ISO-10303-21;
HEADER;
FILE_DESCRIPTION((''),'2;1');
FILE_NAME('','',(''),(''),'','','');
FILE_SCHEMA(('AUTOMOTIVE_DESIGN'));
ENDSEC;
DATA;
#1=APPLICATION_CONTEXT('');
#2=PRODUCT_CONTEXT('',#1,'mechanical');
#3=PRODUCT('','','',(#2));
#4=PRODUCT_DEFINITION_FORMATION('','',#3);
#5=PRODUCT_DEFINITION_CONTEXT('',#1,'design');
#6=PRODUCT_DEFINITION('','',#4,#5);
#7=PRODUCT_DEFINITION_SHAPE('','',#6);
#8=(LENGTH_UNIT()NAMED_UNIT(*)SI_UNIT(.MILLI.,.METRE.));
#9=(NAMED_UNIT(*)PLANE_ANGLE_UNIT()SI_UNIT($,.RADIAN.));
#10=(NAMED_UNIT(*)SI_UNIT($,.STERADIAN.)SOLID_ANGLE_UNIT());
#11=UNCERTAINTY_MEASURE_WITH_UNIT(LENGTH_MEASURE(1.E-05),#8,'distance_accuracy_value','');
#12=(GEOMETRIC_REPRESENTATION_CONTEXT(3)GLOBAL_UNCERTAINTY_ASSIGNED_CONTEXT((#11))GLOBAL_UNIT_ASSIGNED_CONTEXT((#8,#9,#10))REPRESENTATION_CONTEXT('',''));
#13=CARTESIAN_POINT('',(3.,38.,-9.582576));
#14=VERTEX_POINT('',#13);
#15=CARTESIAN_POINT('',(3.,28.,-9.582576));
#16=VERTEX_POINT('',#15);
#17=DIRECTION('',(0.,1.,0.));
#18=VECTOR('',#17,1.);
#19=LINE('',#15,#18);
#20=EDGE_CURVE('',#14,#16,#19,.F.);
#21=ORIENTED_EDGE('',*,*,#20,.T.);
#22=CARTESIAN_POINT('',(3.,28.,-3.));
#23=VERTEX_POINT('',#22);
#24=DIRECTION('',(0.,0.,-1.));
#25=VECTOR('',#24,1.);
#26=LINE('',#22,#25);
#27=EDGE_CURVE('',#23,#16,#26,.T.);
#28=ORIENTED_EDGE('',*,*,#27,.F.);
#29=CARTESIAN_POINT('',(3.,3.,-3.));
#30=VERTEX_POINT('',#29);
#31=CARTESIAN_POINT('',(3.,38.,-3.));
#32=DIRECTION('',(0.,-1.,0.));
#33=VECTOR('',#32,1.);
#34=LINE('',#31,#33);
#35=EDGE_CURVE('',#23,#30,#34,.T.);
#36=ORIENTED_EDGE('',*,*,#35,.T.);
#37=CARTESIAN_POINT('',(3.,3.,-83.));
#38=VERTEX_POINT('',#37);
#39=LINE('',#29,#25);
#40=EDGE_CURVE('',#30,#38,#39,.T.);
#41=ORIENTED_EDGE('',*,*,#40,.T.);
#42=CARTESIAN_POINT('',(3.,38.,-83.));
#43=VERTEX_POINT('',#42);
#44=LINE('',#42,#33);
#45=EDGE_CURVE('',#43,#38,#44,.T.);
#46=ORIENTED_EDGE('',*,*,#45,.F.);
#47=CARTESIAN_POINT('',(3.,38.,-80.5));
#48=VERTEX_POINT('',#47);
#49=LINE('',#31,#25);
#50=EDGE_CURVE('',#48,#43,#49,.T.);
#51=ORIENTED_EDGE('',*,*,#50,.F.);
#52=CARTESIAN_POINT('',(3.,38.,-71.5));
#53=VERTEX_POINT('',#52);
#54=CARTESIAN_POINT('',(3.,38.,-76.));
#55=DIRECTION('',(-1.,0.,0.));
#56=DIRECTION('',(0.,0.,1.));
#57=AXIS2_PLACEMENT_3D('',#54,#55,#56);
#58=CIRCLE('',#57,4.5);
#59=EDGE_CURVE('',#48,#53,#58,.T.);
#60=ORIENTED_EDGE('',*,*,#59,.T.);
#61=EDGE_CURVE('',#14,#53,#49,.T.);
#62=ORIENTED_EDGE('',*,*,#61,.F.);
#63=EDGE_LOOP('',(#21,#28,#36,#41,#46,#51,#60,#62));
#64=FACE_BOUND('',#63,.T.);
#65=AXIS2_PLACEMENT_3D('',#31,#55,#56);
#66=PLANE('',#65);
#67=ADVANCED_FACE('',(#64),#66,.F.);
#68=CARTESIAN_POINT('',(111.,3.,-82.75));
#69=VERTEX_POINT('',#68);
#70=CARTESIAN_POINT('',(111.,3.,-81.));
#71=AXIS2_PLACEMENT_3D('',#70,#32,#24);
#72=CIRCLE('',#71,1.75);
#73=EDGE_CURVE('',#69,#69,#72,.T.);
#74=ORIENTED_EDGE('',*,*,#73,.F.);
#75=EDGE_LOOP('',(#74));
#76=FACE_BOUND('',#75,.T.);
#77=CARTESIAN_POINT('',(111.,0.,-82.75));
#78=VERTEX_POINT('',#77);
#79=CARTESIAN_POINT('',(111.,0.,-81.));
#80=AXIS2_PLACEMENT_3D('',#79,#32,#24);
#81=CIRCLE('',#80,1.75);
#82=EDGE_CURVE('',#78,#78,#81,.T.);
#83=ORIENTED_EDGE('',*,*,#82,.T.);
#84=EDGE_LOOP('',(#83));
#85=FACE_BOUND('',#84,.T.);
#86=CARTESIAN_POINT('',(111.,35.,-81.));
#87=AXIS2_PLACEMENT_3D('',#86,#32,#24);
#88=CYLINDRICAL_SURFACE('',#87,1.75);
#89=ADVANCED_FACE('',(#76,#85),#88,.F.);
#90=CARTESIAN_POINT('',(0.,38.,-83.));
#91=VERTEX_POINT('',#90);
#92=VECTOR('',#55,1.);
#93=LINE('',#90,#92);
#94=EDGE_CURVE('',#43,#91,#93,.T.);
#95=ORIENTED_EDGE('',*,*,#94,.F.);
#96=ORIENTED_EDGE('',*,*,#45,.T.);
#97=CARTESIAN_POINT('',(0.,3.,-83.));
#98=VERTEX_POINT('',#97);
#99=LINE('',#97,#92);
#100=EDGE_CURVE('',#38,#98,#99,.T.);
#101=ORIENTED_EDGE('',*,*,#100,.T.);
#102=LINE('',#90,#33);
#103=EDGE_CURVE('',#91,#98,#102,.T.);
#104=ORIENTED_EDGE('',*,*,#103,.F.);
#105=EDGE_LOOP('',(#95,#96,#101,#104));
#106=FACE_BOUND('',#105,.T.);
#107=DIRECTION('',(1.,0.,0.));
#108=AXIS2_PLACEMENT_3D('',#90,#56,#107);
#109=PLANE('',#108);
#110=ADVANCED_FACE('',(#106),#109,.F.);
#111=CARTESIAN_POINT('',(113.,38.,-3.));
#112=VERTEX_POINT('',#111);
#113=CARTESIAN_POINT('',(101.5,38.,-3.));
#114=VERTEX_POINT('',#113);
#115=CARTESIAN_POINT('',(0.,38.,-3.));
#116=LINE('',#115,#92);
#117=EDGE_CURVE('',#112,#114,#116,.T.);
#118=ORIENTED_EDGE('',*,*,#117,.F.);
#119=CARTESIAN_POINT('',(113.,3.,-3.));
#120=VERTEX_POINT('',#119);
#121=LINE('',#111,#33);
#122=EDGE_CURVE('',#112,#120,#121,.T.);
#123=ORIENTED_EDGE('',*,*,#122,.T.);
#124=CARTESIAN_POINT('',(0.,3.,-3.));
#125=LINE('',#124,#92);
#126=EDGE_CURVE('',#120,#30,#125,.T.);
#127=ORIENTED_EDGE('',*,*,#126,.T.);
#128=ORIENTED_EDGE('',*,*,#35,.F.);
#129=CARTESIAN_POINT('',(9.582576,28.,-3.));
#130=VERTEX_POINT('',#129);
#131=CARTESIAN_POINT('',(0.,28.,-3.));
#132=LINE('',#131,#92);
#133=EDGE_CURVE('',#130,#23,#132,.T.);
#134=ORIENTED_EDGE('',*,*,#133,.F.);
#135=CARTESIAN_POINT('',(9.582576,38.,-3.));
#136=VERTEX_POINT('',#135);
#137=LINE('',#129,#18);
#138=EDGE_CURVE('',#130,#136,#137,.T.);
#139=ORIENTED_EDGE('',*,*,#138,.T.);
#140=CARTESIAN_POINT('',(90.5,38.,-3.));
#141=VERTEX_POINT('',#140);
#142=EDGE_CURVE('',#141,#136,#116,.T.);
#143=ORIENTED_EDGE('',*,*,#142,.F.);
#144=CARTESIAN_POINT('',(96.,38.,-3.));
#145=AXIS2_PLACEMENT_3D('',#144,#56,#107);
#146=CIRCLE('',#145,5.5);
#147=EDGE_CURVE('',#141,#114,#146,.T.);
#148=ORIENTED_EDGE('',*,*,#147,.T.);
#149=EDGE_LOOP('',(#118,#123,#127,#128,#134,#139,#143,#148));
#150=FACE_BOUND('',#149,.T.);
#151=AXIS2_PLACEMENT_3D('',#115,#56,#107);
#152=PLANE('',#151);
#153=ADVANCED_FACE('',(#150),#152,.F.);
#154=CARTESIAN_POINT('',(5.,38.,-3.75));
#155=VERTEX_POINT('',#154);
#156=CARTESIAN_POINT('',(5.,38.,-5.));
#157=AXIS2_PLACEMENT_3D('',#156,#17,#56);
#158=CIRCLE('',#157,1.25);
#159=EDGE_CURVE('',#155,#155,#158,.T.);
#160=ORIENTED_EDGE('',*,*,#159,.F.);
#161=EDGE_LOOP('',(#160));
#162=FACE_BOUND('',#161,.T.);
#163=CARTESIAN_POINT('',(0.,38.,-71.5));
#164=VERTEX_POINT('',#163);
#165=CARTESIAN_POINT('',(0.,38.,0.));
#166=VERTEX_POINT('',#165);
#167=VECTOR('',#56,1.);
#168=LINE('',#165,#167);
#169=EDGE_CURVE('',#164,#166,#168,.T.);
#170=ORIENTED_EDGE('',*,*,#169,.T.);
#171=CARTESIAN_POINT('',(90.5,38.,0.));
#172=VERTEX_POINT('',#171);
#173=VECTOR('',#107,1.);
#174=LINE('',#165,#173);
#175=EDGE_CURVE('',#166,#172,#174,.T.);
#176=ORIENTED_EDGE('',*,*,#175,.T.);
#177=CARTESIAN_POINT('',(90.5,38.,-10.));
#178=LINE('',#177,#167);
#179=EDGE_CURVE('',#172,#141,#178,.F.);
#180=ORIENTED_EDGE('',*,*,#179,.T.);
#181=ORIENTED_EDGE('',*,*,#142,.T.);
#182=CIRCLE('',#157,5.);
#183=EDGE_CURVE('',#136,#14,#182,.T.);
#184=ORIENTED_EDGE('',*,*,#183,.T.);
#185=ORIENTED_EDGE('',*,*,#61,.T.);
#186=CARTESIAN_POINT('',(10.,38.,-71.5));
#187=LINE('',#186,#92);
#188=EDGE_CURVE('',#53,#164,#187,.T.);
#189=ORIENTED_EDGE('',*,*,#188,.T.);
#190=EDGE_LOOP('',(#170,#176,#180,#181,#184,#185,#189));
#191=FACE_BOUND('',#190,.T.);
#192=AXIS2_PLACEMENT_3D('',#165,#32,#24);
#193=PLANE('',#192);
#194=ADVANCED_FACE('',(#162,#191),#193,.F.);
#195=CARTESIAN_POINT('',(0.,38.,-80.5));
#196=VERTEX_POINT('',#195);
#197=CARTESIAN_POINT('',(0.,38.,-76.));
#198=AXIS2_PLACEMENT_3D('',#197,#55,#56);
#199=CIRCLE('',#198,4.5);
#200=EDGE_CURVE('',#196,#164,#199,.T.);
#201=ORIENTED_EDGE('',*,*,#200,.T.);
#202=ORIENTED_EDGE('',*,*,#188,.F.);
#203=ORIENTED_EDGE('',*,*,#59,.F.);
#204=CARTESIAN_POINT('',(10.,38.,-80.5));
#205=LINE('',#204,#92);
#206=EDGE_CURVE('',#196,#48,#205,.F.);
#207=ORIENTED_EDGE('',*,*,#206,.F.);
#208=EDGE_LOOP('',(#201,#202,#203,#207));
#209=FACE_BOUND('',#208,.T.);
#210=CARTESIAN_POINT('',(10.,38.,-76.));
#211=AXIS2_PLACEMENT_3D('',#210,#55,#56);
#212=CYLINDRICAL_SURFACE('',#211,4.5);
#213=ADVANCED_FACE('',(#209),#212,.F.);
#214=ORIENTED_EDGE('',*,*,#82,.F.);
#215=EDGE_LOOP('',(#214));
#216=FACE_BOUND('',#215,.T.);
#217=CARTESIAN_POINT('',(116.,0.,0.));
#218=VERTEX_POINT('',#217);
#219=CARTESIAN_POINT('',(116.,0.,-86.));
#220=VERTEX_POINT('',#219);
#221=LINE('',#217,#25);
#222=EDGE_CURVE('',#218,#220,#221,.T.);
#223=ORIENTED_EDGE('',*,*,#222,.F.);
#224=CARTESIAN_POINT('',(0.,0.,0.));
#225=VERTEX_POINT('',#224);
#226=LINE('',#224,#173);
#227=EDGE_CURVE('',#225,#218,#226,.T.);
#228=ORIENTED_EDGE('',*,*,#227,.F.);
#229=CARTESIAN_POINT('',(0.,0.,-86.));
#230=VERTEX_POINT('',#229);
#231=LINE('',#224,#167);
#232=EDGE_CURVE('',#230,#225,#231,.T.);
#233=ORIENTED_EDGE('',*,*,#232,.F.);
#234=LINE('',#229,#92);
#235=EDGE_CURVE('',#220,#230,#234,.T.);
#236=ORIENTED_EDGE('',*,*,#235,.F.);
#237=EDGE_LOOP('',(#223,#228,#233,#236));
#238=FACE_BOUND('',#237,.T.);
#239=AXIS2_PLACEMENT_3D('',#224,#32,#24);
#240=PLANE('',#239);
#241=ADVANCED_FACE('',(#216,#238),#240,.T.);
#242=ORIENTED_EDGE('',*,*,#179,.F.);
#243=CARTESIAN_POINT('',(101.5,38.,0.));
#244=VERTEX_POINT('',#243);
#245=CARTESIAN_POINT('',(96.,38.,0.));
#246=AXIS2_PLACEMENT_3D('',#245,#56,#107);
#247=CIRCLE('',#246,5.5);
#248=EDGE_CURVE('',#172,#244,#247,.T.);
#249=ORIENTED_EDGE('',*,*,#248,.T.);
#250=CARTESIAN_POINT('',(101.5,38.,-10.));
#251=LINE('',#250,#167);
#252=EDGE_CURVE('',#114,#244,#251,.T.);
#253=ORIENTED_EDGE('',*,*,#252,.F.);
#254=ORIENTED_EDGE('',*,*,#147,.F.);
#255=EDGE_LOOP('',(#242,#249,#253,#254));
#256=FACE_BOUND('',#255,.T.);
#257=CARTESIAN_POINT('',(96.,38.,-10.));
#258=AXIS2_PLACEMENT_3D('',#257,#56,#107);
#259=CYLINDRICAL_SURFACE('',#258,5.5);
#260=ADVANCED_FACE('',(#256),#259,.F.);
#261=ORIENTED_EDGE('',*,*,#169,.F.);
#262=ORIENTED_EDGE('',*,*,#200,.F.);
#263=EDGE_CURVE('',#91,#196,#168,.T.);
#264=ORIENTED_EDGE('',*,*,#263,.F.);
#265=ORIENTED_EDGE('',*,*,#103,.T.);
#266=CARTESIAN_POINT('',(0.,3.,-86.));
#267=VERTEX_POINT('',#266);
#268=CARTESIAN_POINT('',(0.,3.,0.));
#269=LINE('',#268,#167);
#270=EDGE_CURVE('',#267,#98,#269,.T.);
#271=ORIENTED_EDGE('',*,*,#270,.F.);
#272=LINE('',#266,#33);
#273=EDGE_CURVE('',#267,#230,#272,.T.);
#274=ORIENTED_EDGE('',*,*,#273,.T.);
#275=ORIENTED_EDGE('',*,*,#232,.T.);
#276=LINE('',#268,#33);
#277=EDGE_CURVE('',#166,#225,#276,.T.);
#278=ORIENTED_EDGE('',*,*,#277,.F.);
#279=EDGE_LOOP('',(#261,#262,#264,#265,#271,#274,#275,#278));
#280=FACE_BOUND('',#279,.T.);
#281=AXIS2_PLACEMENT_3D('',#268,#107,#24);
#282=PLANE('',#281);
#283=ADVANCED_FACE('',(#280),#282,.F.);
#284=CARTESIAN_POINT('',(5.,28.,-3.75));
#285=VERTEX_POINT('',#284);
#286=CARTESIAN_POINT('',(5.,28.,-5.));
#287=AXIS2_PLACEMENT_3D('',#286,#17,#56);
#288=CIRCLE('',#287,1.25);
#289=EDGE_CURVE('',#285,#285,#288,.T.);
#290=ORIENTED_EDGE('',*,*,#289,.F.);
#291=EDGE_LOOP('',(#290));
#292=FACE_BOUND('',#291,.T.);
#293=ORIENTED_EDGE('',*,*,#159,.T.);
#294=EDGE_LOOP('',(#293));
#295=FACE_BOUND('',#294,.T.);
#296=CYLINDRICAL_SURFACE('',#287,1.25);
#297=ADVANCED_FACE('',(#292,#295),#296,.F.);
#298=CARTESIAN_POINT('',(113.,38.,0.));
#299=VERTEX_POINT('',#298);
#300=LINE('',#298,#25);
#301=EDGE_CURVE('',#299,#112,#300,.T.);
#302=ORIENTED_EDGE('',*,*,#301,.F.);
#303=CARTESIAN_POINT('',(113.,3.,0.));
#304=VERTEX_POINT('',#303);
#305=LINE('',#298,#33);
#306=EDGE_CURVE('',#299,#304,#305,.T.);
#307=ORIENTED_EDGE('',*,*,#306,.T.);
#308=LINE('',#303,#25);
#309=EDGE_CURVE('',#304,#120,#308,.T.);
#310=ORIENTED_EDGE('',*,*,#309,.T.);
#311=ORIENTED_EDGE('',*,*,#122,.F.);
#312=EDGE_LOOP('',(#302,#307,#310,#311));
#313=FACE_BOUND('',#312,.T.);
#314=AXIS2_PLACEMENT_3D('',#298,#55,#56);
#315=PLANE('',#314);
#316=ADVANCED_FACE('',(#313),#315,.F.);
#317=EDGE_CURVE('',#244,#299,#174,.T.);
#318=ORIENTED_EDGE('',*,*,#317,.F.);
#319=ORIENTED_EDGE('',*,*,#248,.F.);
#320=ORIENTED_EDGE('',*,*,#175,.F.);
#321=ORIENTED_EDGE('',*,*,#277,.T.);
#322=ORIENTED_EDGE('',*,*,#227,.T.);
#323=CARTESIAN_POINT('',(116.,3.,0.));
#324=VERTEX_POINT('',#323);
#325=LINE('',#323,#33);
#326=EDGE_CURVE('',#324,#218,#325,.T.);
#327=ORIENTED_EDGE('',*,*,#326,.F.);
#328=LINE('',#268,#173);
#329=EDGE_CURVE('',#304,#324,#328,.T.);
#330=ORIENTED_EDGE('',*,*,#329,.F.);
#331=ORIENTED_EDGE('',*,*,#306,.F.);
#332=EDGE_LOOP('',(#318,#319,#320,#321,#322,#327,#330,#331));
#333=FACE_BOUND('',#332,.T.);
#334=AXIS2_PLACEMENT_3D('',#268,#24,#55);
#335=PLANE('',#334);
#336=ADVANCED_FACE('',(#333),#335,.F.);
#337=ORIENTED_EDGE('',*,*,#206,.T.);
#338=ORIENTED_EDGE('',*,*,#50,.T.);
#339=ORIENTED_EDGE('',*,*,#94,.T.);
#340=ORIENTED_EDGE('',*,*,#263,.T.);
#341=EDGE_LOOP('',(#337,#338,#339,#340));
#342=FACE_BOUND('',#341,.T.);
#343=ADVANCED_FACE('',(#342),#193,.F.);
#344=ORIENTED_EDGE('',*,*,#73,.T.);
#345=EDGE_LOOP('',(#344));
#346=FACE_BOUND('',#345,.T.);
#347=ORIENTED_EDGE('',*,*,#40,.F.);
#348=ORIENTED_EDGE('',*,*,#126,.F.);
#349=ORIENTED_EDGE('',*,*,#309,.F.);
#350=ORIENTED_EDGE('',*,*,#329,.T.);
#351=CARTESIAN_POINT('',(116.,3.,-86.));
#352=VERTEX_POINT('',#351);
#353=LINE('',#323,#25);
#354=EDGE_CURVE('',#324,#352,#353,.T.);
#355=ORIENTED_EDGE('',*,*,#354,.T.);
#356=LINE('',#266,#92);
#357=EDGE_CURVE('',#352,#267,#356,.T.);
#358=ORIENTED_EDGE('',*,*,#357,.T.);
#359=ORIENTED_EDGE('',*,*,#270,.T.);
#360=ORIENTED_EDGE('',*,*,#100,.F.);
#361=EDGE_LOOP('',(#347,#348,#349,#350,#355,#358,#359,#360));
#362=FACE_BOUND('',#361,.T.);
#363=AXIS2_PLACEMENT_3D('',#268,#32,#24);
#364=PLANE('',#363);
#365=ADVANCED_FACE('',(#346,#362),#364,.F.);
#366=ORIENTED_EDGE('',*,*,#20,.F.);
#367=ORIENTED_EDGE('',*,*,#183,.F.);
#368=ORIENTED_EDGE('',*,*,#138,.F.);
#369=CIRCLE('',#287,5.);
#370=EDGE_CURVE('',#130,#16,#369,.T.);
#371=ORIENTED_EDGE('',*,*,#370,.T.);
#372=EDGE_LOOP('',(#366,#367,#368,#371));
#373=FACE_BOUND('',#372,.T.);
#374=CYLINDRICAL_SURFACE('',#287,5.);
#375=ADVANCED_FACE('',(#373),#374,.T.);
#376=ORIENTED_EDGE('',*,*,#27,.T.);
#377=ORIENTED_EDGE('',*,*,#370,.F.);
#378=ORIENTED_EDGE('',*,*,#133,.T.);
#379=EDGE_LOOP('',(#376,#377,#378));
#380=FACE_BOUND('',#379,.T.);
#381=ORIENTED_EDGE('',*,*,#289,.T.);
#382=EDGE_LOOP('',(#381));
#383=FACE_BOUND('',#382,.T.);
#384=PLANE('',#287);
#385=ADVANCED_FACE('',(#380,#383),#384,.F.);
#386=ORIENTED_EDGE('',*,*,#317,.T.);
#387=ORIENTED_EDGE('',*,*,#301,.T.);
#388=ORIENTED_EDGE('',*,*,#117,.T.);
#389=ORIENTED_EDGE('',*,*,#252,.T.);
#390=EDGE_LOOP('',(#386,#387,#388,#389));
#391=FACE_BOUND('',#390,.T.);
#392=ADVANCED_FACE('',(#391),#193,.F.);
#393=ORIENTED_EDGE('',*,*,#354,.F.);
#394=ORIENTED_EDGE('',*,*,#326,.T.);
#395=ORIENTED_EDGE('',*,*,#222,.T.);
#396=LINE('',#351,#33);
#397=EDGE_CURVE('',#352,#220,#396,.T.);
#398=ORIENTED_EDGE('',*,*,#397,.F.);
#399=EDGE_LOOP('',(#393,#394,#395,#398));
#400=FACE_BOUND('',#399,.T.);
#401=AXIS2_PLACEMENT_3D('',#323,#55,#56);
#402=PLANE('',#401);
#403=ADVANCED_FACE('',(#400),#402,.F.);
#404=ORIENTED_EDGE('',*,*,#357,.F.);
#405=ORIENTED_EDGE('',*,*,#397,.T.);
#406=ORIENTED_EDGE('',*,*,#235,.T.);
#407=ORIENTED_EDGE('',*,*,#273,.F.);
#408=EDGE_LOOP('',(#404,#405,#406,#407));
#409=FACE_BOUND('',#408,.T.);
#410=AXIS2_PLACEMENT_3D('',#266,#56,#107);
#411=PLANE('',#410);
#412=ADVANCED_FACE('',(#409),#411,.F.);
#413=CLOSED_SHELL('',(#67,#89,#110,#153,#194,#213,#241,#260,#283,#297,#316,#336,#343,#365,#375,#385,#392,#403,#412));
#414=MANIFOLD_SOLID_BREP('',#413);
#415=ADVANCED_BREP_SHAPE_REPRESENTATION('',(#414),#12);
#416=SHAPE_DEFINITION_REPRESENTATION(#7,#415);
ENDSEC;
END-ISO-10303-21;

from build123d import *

# Parameters (mm, degrees)
SKETCH1_W           = 116
SKETCH1_H           = 86
BOSS_EXTRUDE1_DEPTH = 3
SKETCH2_W           = 113
SKETCH2_H           = 3
BOSS_EXTRUDE2_DEPTH = 35
SKETCH3_W           = 3
SKETCH3_H           = 80
BOSS_EXTRUDE3_DEPTH = 35
SKETCH4_R           = 1.75
CUT_EXTRUDE1_DEPTH  = 35
SKETCH5_R           = 5
SKETCH5_R_2         = 1.25
BOSS_EXTRUDE4_DEPTH = 10
SKETCH6_R           = 5.5
CUT_EXTRUDE2_DEPTH  = 10
SKETCH7_R           = 4.5
CUT_EXTRUDE3_DEPTH  = 10


with BuildPart() as part:
    # Sketch1 → Boss-Extrude1 (new body)
    with BuildSketch(Plane(origin=(0, 0, 0), x_dir=(1, 0, 0), z_dir=(0, 1, 0))):
        with Locations((58, 43)):
            Rectangle(SKETCH1_W, SKETCH1_H)
    extrude(amount=BOSS_EXTRUDE1_DEPTH)

    # Sketch2 → Boss-Extrude2 (add)
    with BuildSketch(Plane(origin=(0, 3, 0), x_dir=(1, 0, 0), z_dir=(0, 1, 0))):
        with Locations((56.5, 1.5)):
            Rectangle(SKETCH2_W, SKETCH2_H)
    extrude(amount=BOSS_EXTRUDE2_DEPTH)

    # Sketch3 → Boss-Extrude3 (add)
    with BuildSketch(Plane(origin=(0, 3, 0), x_dir=(1, 0, 0), z_dir=(0, 1, 0))):
        with Locations((1.5, 43)):
            Rectangle(SKETCH3_W, SKETCH3_H)
    extrude(amount=BOSS_EXTRUDE3_DEPTH)

    # Sketch4 → Cut-Extrude1 (cut)
    with BuildSketch(Plane.XZ):
        with Locations((111, -81)):
            Circle(SKETCH4_R)
    extrude(amount=-CUT_EXTRUDE1_DEPTH, mode=Mode.SUBTRACT)

    # Sketch5 → Boss-Extrude4 (add)
    with BuildSketch(Plane(origin=(0, 38, 0), x_dir=(1, 0, 0), z_dir=(0, 1, 0))):
        with Locations((5, 5)):
            Circle(SKETCH5_R)
        with Locations((5, 5)):
            Circle(SKETCH5_R_2, mode=Mode.SUBTRACT)
    extrude(amount=-BOSS_EXTRUDE4_DEPTH)

    # Sketch6 → Cut-Extrude2 (cut)
    with BuildSketch(Plane.XY):
        with Locations((96, 38)):
            Circle(SKETCH6_R)
    extrude(amount=-CUT_EXTRUDE2_DEPTH, mode=Mode.SUBTRACT)

    # Sketch7 → Cut-Extrude3 (cut)
    with BuildSketch(Plane.ZY):
        with Locations((-76, 38)):
            Circle(SKETCH7_R)
    extrude(amount=-CUT_EXTRUDE3_DEPTH, mode=Mode.SUBTRACT)


solid = part.part
